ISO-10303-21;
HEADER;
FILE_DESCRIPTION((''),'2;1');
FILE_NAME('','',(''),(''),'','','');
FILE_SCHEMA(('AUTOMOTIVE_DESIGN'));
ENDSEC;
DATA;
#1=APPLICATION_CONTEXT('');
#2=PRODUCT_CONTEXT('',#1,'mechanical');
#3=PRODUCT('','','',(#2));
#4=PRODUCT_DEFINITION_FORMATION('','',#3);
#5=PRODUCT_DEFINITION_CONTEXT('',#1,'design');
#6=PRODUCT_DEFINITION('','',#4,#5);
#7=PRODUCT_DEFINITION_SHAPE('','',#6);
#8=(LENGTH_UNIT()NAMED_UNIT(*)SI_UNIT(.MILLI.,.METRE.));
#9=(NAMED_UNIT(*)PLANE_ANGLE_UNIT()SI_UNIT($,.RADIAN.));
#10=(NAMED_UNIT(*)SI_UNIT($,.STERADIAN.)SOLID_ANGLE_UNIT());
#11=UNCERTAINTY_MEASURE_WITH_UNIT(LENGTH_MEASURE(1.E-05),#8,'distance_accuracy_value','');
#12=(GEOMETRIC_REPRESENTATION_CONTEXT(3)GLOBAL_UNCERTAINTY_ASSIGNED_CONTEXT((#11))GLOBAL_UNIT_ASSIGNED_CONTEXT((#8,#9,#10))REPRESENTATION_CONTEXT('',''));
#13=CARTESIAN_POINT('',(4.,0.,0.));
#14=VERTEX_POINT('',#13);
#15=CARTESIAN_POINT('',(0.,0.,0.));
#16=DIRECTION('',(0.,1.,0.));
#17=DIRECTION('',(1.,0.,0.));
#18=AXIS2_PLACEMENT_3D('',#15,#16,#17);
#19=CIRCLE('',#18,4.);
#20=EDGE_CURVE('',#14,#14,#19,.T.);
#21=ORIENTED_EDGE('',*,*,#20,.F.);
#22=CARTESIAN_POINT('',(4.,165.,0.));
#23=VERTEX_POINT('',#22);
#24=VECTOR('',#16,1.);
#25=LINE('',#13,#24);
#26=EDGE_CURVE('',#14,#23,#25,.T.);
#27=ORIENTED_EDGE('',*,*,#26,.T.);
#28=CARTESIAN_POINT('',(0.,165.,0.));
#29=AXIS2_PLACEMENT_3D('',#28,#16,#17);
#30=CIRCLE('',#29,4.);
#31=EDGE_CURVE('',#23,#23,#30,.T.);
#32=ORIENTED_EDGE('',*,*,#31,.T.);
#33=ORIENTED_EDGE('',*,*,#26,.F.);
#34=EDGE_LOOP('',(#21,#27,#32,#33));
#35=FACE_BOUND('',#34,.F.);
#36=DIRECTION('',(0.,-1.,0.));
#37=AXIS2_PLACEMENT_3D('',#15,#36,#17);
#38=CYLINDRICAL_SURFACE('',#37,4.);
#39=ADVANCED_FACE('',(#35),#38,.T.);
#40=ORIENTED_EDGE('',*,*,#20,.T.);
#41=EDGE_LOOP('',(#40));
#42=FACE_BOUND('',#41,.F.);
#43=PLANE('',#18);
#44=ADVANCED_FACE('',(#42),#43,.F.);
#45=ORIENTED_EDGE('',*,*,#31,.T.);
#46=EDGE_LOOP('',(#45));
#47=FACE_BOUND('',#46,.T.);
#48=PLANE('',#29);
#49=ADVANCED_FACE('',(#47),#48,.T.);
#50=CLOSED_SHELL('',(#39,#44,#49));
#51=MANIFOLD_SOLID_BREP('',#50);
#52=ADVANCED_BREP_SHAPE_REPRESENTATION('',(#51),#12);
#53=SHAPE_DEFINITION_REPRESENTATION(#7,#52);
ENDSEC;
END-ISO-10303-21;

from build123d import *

# Parameters (mm, degrees)
SKETCH1_R           = 4
BOSS_EXTRUDE1_DEPTH = 165


with BuildPart() as part:
    # Sketch1 → Boss-Extrude1 (new body)
    with BuildSketch(Plane(origin=(0, 0, 0), x_dir=(1, 0, 0), z_dir=(0, 1, 0))):
        Circle(SKETCH1_R)
    extrude(amount=BOSS_EXTRUDE1_DEPTH)


solid = part.part
